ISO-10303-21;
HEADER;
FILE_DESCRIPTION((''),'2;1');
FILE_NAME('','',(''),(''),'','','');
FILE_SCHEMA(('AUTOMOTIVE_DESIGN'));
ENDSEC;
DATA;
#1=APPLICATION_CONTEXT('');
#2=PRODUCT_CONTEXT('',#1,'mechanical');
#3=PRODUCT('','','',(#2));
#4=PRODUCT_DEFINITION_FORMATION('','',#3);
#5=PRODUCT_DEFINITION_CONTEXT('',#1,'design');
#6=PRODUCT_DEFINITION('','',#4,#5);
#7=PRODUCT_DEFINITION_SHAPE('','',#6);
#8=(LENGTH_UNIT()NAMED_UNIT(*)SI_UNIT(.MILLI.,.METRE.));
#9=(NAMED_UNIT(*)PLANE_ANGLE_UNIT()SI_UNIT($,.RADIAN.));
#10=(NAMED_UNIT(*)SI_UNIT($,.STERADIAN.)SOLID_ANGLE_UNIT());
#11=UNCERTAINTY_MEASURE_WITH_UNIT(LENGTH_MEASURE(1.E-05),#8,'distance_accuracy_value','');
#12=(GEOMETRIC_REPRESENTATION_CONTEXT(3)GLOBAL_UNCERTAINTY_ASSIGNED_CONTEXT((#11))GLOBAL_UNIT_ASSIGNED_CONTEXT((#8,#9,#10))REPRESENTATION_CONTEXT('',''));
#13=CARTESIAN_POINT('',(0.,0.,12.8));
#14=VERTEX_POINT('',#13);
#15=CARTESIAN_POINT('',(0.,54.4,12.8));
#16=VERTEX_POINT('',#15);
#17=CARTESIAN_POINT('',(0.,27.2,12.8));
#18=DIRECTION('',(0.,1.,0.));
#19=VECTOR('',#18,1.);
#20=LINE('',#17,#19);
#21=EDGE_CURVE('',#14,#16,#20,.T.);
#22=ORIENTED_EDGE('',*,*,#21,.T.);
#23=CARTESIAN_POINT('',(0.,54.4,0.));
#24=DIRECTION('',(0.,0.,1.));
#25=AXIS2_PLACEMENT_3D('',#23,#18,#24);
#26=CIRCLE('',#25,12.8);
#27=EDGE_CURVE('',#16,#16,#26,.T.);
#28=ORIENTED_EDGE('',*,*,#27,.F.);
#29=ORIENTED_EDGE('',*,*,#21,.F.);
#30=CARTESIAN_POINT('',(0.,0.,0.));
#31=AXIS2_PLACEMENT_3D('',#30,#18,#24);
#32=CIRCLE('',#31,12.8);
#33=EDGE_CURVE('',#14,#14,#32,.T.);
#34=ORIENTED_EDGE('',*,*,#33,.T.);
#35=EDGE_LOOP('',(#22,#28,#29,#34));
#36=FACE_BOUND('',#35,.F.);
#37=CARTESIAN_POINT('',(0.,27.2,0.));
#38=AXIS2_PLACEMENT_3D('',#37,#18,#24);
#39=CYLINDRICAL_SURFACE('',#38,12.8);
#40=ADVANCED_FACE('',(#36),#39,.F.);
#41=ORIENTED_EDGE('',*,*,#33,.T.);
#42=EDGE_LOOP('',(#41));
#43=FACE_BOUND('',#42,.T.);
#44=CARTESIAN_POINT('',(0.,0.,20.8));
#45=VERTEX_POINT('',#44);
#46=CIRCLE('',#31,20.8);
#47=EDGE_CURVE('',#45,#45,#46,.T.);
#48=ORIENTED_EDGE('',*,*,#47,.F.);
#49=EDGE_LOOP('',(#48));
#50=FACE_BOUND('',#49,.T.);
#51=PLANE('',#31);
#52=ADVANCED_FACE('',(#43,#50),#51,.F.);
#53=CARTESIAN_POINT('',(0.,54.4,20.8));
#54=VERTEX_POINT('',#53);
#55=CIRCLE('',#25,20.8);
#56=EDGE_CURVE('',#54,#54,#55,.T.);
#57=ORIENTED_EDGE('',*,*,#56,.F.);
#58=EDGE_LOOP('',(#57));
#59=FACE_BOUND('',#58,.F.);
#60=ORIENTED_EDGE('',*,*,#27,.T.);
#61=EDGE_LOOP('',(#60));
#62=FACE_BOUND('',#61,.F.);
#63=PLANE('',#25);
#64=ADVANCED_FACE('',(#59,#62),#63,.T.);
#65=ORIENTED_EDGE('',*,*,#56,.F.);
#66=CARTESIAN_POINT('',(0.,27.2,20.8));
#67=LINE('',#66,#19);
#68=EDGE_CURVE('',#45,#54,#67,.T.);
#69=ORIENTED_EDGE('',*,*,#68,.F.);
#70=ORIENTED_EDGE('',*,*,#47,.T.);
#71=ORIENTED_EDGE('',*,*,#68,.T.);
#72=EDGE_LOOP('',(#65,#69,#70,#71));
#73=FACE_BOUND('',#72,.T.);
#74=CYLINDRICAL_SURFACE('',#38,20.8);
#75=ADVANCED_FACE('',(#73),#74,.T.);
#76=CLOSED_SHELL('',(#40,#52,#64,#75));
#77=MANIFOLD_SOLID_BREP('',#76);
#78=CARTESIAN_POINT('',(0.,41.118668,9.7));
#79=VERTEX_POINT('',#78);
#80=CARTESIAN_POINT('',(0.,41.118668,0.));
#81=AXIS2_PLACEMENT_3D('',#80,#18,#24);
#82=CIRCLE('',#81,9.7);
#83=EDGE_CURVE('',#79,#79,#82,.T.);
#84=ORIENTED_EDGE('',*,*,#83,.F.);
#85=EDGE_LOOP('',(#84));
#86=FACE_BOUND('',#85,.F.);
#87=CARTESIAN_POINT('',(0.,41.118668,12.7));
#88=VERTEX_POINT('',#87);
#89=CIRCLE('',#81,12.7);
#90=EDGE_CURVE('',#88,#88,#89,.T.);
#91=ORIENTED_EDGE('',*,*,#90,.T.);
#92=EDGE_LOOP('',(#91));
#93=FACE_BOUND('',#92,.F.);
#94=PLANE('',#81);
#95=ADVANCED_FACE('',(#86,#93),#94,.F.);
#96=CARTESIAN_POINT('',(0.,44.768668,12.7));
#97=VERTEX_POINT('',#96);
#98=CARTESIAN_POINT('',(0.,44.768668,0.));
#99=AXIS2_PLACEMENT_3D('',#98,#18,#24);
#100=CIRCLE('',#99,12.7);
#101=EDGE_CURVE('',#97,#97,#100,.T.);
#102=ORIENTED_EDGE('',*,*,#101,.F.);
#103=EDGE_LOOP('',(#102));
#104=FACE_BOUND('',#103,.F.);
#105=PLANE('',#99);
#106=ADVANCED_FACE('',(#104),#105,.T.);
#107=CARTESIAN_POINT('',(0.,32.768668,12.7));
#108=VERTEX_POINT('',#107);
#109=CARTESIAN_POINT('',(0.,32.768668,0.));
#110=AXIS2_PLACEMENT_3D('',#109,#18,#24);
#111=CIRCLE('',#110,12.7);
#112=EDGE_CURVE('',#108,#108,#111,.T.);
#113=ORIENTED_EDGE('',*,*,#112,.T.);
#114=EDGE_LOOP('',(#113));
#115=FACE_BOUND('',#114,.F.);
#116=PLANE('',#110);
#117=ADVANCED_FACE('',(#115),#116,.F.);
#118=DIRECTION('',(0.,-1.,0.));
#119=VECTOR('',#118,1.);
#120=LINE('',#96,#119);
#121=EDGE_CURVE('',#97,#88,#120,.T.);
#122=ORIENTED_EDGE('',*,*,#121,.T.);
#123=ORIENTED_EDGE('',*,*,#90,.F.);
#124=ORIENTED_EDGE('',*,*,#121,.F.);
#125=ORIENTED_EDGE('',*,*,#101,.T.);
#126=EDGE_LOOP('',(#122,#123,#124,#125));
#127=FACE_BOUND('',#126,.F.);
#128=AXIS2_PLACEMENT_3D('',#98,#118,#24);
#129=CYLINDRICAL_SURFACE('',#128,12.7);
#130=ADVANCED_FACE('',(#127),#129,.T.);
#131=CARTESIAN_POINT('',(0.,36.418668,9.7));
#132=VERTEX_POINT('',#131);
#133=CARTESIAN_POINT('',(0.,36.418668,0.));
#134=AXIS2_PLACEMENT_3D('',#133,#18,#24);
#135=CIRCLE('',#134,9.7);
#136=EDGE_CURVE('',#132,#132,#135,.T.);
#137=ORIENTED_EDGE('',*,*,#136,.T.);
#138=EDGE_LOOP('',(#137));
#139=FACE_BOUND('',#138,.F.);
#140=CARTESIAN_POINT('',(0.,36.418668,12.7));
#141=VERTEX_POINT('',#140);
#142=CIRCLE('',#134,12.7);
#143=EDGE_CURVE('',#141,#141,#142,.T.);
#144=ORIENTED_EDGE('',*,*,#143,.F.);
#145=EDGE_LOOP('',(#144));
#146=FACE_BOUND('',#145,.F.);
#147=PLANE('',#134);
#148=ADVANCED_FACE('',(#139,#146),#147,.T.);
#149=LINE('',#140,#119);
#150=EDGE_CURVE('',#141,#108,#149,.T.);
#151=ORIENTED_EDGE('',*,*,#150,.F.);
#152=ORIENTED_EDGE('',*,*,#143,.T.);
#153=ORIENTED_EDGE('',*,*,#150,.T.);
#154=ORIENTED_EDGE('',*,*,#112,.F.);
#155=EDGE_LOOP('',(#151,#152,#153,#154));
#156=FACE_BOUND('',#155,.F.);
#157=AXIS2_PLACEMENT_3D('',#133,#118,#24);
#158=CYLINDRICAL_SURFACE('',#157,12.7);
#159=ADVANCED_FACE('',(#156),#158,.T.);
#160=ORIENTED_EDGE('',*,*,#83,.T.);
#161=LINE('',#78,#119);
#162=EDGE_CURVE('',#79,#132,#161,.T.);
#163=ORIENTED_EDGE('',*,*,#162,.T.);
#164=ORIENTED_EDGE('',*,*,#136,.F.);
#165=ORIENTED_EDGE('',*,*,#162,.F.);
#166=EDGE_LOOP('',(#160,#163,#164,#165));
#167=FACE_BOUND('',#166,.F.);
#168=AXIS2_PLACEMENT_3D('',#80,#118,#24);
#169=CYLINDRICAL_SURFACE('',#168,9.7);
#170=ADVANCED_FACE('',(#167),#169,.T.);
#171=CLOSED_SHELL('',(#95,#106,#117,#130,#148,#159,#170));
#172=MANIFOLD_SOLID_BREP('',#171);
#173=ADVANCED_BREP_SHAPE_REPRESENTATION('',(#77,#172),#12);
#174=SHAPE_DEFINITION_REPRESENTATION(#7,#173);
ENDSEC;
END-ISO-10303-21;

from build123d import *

# Parameters (mm, degrees)
F0_W = 54.4
F0_H = 8


with BuildPart() as f1:
    # F0 (on Right) → F1 (revolve)
    with BuildSketch(Plane.YZ):
        Polygon((32.768668, 12.7), (32.768668, 0), (44.768668, 0), (44.768668, 12.7), (41.118668, 12.7), (41.118668, 9.7), (36.418668, 9.7), (36.418668, 12.7), align=None)
    revolve(axis=Axis((0, 23.731925, 0), (0, 1, 0)))


with BuildPart() as f2:
    # F0 (on Right) → F2 (revolve)
    with BuildSketch(Plane.YZ):
        with Locations((27.2, 16.8)):
            Rectangle(F0_W, F0_H)
    revolve(axis=Axis((0, 23.731925, 0), (0, 1, 0)))


solid = Compound([f1.part, f2.part])
